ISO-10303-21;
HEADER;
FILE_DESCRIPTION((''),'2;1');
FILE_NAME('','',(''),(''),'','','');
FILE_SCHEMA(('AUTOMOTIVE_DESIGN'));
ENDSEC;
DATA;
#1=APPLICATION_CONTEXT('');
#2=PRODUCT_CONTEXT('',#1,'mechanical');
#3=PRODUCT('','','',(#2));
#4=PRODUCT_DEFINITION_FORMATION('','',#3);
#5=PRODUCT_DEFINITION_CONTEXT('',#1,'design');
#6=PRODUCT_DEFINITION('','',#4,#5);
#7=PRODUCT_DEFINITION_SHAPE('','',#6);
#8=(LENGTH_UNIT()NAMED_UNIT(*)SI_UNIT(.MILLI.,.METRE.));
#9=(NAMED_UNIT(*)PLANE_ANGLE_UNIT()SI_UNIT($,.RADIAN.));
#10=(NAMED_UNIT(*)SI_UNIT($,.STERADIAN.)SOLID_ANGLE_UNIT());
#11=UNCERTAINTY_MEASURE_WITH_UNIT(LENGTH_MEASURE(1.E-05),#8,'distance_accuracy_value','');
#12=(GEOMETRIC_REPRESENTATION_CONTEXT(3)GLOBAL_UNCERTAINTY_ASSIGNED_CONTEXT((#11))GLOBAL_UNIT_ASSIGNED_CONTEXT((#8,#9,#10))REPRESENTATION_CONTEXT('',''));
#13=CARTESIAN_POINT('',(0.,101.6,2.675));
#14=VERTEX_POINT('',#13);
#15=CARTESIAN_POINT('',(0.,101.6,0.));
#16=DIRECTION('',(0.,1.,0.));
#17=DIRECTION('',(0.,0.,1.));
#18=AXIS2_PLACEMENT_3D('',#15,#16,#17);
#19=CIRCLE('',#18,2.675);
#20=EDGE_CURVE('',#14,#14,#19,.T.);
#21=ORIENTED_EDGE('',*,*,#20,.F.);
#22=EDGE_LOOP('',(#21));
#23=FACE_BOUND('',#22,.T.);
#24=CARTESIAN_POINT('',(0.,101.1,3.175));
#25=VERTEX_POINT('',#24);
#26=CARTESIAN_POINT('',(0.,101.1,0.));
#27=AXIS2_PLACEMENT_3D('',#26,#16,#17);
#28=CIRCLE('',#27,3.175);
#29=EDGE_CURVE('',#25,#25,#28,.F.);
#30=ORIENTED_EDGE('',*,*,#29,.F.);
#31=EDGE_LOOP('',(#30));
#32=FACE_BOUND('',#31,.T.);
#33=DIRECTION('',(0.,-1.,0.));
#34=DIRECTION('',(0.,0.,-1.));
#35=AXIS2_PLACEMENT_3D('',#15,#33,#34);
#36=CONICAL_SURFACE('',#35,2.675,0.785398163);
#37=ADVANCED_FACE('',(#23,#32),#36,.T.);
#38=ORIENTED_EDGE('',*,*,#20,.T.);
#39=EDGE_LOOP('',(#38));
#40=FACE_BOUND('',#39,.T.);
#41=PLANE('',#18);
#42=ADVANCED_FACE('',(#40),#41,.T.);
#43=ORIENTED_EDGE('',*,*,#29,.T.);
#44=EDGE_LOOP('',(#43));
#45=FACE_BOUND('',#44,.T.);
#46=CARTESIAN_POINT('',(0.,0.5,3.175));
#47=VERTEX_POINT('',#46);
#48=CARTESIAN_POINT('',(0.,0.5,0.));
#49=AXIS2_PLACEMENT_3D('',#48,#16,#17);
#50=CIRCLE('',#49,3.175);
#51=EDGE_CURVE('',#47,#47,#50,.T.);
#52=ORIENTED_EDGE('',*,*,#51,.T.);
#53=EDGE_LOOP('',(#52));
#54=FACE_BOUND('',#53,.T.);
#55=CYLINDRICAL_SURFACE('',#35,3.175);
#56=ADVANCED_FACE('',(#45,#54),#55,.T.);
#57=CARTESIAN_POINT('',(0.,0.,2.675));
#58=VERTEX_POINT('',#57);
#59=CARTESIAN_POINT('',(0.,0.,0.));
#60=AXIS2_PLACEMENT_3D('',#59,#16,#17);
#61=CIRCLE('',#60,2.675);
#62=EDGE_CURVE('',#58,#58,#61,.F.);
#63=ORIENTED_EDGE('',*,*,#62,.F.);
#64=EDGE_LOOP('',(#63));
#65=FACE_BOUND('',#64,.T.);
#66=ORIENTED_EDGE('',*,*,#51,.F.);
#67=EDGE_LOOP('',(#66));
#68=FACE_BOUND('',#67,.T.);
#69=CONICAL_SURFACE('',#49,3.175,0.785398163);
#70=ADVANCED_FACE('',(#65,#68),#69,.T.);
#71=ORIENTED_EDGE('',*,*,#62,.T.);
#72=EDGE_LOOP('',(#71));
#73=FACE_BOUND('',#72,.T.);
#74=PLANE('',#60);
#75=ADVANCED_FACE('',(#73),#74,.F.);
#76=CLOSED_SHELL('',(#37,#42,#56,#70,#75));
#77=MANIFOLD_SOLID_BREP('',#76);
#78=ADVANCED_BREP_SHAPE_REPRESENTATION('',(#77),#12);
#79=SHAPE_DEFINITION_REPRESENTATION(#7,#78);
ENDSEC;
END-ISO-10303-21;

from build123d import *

# Parameters (mm, degrees)
BAR_FACE_R        = 3.175
BAR_EXTRUDE_DEPTH = 101.6
CHAMFER2_SIZE     = 0.5


with BuildPart() as part:
    # Bar face → Bar extrude (new body)
    with BuildSketch(Plane(origin=(0, 0, 0), x_dir=(1, 0, 0), z_dir=(0, 1, 0))):
        Circle(BAR_FACE_R)
    extrude(amount=BAR_EXTRUDE_DEPTH)

    # Chamfer2
    chamfer2_edges = [part.edges().sort_by_distance(p)[0] for p in [
        (-3.175, 0, 0),
        (-3.175, 101.6, 0),
    ]]
    chamfer(chamfer2_edges, length=CHAMFER2_SIZE)


solid = part.part
